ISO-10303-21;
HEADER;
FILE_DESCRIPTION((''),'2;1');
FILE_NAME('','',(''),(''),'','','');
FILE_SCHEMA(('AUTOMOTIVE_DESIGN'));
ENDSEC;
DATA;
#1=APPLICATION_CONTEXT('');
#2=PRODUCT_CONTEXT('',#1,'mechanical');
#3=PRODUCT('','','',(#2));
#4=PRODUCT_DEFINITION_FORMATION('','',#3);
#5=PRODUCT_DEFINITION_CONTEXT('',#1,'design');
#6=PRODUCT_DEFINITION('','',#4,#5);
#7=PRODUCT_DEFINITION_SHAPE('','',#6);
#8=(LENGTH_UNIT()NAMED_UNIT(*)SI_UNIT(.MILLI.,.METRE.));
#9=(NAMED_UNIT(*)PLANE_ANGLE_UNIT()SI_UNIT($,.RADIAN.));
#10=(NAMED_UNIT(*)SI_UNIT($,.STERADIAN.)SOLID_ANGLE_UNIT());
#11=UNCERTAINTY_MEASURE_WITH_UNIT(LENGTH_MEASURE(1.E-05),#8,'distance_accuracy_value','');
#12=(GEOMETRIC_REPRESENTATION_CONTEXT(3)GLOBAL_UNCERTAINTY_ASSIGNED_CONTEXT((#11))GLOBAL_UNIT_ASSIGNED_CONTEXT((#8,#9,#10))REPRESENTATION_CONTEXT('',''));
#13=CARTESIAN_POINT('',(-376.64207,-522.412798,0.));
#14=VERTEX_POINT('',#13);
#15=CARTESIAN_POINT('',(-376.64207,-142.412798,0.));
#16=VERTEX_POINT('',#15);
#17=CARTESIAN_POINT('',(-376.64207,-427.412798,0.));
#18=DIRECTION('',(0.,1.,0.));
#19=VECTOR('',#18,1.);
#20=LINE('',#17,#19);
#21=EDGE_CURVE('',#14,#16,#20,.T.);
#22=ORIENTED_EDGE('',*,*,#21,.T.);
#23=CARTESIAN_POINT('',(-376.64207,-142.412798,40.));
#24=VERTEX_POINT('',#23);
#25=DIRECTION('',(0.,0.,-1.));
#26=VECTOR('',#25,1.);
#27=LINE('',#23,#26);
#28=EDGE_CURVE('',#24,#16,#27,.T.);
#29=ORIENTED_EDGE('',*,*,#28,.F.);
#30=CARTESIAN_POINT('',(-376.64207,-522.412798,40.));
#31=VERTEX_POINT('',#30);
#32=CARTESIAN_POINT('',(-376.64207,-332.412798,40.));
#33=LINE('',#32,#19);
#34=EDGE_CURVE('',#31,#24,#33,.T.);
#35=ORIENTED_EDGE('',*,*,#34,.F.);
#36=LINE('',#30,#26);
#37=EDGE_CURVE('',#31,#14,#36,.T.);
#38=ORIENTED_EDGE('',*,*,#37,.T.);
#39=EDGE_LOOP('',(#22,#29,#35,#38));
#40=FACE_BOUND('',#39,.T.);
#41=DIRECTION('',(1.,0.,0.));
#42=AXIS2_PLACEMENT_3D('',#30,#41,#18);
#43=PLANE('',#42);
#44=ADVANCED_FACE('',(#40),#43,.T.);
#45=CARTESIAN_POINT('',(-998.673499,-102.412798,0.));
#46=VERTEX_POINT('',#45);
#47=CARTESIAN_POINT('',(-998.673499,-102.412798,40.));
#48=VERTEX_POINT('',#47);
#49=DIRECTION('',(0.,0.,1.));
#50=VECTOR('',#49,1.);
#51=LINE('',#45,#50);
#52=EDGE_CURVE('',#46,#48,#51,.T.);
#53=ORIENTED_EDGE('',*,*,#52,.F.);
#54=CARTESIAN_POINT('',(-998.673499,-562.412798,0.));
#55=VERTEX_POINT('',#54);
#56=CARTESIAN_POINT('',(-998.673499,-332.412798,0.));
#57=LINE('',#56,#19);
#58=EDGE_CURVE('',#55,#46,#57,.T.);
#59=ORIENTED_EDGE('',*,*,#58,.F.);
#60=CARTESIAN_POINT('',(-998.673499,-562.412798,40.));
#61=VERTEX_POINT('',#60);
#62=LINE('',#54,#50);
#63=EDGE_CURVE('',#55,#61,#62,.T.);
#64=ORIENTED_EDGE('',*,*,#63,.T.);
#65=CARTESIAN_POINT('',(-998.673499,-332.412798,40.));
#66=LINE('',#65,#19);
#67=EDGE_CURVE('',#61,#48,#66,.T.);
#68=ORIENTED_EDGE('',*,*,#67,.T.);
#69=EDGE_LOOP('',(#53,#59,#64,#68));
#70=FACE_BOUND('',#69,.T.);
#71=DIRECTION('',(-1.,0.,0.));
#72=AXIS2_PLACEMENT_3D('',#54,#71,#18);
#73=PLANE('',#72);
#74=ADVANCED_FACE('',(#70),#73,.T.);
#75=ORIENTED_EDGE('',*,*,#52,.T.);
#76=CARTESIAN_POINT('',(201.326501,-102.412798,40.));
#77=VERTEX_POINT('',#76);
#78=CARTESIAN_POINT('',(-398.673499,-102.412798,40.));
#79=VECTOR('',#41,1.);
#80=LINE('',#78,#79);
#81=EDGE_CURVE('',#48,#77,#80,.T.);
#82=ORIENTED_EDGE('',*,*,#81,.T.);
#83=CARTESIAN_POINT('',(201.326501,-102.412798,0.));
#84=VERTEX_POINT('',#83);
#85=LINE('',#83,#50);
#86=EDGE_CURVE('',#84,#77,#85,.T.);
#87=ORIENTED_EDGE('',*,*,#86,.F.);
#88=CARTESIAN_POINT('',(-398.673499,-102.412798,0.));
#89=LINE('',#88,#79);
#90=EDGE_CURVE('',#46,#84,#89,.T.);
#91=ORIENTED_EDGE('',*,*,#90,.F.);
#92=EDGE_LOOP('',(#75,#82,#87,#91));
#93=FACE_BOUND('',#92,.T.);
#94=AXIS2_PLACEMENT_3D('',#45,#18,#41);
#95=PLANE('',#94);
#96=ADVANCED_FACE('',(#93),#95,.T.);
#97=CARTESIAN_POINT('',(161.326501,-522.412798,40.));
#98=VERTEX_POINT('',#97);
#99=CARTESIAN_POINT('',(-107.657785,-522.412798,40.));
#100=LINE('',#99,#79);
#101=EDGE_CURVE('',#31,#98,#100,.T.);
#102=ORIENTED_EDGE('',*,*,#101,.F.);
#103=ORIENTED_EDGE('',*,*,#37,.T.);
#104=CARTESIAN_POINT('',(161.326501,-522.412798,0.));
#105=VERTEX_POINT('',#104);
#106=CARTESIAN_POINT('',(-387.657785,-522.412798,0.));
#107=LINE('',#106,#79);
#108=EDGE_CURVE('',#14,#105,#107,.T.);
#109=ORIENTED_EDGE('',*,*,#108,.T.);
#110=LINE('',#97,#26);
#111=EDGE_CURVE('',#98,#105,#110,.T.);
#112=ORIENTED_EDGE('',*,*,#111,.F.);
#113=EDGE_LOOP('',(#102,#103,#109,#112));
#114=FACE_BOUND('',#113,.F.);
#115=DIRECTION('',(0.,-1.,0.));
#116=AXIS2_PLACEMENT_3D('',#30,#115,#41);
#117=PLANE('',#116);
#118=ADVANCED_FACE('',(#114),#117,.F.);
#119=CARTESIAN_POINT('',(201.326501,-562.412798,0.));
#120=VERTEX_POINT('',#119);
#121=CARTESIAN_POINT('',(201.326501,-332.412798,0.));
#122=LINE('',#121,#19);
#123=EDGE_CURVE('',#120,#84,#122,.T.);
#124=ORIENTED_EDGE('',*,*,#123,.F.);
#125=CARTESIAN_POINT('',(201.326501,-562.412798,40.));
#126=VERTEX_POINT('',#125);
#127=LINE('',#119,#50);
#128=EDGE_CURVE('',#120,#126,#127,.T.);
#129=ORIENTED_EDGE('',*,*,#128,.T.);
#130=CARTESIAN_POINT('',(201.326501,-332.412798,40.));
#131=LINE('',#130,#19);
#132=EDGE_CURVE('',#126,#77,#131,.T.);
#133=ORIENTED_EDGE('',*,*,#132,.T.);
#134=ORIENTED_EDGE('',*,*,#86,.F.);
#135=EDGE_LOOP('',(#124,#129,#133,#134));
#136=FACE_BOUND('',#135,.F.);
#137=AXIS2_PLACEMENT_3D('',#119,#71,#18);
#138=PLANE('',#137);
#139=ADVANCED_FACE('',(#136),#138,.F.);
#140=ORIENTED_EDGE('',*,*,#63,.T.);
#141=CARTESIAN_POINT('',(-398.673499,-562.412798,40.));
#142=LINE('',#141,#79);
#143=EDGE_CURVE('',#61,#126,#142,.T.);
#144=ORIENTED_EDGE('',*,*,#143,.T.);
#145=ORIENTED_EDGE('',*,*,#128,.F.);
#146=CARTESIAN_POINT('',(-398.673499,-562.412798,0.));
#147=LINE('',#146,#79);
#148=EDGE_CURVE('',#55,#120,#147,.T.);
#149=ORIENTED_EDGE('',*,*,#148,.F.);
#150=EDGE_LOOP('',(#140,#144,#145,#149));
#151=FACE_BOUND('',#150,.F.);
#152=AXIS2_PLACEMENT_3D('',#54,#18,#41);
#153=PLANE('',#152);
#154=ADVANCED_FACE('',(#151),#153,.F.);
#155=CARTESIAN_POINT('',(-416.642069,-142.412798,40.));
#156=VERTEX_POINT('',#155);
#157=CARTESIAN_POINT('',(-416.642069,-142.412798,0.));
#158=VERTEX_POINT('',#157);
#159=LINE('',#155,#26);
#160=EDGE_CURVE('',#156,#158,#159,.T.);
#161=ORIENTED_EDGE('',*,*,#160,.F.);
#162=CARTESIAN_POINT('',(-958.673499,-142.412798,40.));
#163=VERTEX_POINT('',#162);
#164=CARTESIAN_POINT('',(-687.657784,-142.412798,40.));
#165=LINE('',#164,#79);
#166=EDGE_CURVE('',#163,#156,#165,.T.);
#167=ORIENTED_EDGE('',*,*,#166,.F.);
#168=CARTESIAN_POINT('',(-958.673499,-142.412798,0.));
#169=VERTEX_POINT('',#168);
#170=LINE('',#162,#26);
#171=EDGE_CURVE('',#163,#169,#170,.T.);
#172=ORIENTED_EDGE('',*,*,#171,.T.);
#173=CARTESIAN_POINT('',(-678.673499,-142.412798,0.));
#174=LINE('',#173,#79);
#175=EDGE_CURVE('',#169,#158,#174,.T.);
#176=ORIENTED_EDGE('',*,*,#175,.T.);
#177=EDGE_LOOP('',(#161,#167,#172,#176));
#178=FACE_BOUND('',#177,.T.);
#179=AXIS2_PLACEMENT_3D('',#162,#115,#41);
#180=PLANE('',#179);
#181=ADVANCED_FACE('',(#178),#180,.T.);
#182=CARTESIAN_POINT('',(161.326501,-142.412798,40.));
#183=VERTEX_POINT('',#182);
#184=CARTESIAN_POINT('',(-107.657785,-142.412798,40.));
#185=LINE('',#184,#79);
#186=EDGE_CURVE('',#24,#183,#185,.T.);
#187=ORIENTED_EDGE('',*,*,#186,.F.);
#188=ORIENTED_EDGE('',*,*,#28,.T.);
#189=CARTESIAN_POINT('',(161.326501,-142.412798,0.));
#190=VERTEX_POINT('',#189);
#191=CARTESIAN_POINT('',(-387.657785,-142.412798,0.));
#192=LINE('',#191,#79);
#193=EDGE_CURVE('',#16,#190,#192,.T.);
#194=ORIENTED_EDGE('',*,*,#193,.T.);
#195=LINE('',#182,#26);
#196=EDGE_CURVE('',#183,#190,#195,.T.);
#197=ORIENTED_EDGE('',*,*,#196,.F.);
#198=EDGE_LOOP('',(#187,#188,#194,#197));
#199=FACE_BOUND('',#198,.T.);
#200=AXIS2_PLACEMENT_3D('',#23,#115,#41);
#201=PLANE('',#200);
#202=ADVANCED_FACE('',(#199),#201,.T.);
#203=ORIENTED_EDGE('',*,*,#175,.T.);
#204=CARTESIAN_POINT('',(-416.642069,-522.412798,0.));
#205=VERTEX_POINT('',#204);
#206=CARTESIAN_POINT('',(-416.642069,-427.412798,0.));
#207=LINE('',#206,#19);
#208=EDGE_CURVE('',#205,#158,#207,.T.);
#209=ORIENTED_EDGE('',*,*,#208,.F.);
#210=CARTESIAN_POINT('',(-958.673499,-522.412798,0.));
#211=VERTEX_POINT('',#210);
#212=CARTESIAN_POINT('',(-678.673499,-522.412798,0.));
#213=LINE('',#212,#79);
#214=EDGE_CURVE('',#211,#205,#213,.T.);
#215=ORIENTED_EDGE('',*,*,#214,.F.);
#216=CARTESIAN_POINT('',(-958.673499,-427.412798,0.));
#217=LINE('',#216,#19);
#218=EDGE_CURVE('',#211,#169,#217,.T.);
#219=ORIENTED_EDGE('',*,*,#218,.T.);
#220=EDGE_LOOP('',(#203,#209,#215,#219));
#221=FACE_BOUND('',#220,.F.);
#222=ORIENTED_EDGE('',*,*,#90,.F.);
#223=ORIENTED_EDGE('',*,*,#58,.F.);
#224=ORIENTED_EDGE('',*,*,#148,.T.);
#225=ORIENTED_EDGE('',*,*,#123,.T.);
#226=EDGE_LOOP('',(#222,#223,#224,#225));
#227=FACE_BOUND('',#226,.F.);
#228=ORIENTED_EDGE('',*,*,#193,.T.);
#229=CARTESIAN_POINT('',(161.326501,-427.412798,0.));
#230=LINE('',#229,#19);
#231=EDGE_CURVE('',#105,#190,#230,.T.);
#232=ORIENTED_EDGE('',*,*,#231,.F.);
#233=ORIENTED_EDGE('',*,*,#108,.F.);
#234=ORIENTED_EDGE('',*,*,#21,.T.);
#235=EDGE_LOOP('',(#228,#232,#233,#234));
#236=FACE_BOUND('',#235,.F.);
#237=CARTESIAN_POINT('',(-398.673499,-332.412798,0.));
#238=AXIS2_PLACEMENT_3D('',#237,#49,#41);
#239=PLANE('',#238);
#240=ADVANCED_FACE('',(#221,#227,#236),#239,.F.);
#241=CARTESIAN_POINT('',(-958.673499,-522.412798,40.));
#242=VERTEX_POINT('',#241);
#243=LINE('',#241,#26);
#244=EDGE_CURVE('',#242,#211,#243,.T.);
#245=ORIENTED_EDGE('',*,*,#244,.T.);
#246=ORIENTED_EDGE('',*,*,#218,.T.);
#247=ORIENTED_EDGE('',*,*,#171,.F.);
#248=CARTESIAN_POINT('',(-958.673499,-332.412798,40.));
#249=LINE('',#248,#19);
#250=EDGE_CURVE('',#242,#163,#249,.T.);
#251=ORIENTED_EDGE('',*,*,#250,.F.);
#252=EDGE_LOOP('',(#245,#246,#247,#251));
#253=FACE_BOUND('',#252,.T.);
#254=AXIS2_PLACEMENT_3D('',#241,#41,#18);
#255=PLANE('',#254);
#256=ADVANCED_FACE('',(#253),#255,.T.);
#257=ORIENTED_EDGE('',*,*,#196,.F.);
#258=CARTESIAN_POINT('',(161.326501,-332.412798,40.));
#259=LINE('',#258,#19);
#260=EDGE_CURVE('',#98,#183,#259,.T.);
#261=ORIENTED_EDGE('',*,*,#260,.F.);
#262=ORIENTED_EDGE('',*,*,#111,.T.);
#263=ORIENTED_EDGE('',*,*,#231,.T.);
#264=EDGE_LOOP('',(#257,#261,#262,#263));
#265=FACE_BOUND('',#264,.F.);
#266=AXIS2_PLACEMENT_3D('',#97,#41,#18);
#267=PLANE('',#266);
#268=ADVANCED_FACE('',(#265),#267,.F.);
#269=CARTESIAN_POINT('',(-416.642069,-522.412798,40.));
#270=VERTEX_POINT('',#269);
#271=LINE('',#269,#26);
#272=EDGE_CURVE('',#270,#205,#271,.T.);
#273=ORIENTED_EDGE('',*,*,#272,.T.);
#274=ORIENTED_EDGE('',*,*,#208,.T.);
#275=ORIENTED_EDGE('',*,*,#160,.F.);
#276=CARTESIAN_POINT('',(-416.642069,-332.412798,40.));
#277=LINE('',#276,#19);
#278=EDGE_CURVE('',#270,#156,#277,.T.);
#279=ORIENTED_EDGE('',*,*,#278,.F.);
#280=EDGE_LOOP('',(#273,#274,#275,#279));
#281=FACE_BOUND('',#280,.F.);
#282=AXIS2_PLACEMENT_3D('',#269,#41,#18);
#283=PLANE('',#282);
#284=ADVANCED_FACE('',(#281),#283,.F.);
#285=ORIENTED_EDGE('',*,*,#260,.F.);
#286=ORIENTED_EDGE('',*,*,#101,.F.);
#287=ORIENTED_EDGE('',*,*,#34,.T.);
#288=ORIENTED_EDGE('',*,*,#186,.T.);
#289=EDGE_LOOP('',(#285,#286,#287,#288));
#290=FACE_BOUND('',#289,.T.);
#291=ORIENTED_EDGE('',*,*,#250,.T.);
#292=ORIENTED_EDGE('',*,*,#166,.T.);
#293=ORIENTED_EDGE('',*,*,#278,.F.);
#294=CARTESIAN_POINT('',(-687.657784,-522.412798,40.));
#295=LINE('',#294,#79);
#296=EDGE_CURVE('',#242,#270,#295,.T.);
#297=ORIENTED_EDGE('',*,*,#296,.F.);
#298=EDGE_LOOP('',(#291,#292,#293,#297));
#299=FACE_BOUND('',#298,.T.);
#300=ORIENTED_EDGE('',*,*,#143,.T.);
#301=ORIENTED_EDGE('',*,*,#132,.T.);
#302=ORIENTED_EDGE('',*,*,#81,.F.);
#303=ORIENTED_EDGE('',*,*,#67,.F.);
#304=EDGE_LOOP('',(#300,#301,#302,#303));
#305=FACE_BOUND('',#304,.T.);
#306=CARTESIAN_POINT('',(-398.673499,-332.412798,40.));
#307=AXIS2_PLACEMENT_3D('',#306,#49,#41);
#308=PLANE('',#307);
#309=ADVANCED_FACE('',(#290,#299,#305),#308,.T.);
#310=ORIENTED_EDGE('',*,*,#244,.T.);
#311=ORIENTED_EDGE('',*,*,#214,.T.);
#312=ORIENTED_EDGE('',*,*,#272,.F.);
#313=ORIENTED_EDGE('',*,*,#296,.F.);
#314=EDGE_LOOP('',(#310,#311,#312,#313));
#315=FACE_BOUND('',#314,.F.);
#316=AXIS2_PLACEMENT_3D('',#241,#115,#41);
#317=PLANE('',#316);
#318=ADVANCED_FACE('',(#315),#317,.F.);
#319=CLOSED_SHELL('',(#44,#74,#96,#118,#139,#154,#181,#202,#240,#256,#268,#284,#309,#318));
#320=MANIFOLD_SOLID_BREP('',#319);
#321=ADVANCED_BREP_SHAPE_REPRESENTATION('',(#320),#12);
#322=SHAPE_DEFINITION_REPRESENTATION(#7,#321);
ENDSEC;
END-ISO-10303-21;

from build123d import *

# Parameters (mm, degrees)
F0_W     = 1200
F0_H     = 460
F1_DEPTH = 40
F2_W     = 542.031429
F2_H     = 380
F2_W_2   = 537.968571
F3_DEPTH = 40.001


with BuildPart() as f1:
    # F0 (on Top) → F1 (new body)
    with BuildSketch(Plane.XY):
        with Locations((-398.673499, -332.412798)):
            Rectangle(F0_W, F0_H)
    extrude(amount=F1_DEPTH)

    # F2 (on face) → F3 (cut, through all)
    with BuildSketch(Plane.XY.offset(40)):
        with Locations((-687.657784, -332.412798)):
            Rectangle(F2_W, F2_H)
        with Locations((-107.657785, -332.412798)):
            Rectangle(F2_W_2, F2_H)
    extrude(amount=-F3_DEPTH, mode=Mode.SUBTRACT)


solid = f1.part
